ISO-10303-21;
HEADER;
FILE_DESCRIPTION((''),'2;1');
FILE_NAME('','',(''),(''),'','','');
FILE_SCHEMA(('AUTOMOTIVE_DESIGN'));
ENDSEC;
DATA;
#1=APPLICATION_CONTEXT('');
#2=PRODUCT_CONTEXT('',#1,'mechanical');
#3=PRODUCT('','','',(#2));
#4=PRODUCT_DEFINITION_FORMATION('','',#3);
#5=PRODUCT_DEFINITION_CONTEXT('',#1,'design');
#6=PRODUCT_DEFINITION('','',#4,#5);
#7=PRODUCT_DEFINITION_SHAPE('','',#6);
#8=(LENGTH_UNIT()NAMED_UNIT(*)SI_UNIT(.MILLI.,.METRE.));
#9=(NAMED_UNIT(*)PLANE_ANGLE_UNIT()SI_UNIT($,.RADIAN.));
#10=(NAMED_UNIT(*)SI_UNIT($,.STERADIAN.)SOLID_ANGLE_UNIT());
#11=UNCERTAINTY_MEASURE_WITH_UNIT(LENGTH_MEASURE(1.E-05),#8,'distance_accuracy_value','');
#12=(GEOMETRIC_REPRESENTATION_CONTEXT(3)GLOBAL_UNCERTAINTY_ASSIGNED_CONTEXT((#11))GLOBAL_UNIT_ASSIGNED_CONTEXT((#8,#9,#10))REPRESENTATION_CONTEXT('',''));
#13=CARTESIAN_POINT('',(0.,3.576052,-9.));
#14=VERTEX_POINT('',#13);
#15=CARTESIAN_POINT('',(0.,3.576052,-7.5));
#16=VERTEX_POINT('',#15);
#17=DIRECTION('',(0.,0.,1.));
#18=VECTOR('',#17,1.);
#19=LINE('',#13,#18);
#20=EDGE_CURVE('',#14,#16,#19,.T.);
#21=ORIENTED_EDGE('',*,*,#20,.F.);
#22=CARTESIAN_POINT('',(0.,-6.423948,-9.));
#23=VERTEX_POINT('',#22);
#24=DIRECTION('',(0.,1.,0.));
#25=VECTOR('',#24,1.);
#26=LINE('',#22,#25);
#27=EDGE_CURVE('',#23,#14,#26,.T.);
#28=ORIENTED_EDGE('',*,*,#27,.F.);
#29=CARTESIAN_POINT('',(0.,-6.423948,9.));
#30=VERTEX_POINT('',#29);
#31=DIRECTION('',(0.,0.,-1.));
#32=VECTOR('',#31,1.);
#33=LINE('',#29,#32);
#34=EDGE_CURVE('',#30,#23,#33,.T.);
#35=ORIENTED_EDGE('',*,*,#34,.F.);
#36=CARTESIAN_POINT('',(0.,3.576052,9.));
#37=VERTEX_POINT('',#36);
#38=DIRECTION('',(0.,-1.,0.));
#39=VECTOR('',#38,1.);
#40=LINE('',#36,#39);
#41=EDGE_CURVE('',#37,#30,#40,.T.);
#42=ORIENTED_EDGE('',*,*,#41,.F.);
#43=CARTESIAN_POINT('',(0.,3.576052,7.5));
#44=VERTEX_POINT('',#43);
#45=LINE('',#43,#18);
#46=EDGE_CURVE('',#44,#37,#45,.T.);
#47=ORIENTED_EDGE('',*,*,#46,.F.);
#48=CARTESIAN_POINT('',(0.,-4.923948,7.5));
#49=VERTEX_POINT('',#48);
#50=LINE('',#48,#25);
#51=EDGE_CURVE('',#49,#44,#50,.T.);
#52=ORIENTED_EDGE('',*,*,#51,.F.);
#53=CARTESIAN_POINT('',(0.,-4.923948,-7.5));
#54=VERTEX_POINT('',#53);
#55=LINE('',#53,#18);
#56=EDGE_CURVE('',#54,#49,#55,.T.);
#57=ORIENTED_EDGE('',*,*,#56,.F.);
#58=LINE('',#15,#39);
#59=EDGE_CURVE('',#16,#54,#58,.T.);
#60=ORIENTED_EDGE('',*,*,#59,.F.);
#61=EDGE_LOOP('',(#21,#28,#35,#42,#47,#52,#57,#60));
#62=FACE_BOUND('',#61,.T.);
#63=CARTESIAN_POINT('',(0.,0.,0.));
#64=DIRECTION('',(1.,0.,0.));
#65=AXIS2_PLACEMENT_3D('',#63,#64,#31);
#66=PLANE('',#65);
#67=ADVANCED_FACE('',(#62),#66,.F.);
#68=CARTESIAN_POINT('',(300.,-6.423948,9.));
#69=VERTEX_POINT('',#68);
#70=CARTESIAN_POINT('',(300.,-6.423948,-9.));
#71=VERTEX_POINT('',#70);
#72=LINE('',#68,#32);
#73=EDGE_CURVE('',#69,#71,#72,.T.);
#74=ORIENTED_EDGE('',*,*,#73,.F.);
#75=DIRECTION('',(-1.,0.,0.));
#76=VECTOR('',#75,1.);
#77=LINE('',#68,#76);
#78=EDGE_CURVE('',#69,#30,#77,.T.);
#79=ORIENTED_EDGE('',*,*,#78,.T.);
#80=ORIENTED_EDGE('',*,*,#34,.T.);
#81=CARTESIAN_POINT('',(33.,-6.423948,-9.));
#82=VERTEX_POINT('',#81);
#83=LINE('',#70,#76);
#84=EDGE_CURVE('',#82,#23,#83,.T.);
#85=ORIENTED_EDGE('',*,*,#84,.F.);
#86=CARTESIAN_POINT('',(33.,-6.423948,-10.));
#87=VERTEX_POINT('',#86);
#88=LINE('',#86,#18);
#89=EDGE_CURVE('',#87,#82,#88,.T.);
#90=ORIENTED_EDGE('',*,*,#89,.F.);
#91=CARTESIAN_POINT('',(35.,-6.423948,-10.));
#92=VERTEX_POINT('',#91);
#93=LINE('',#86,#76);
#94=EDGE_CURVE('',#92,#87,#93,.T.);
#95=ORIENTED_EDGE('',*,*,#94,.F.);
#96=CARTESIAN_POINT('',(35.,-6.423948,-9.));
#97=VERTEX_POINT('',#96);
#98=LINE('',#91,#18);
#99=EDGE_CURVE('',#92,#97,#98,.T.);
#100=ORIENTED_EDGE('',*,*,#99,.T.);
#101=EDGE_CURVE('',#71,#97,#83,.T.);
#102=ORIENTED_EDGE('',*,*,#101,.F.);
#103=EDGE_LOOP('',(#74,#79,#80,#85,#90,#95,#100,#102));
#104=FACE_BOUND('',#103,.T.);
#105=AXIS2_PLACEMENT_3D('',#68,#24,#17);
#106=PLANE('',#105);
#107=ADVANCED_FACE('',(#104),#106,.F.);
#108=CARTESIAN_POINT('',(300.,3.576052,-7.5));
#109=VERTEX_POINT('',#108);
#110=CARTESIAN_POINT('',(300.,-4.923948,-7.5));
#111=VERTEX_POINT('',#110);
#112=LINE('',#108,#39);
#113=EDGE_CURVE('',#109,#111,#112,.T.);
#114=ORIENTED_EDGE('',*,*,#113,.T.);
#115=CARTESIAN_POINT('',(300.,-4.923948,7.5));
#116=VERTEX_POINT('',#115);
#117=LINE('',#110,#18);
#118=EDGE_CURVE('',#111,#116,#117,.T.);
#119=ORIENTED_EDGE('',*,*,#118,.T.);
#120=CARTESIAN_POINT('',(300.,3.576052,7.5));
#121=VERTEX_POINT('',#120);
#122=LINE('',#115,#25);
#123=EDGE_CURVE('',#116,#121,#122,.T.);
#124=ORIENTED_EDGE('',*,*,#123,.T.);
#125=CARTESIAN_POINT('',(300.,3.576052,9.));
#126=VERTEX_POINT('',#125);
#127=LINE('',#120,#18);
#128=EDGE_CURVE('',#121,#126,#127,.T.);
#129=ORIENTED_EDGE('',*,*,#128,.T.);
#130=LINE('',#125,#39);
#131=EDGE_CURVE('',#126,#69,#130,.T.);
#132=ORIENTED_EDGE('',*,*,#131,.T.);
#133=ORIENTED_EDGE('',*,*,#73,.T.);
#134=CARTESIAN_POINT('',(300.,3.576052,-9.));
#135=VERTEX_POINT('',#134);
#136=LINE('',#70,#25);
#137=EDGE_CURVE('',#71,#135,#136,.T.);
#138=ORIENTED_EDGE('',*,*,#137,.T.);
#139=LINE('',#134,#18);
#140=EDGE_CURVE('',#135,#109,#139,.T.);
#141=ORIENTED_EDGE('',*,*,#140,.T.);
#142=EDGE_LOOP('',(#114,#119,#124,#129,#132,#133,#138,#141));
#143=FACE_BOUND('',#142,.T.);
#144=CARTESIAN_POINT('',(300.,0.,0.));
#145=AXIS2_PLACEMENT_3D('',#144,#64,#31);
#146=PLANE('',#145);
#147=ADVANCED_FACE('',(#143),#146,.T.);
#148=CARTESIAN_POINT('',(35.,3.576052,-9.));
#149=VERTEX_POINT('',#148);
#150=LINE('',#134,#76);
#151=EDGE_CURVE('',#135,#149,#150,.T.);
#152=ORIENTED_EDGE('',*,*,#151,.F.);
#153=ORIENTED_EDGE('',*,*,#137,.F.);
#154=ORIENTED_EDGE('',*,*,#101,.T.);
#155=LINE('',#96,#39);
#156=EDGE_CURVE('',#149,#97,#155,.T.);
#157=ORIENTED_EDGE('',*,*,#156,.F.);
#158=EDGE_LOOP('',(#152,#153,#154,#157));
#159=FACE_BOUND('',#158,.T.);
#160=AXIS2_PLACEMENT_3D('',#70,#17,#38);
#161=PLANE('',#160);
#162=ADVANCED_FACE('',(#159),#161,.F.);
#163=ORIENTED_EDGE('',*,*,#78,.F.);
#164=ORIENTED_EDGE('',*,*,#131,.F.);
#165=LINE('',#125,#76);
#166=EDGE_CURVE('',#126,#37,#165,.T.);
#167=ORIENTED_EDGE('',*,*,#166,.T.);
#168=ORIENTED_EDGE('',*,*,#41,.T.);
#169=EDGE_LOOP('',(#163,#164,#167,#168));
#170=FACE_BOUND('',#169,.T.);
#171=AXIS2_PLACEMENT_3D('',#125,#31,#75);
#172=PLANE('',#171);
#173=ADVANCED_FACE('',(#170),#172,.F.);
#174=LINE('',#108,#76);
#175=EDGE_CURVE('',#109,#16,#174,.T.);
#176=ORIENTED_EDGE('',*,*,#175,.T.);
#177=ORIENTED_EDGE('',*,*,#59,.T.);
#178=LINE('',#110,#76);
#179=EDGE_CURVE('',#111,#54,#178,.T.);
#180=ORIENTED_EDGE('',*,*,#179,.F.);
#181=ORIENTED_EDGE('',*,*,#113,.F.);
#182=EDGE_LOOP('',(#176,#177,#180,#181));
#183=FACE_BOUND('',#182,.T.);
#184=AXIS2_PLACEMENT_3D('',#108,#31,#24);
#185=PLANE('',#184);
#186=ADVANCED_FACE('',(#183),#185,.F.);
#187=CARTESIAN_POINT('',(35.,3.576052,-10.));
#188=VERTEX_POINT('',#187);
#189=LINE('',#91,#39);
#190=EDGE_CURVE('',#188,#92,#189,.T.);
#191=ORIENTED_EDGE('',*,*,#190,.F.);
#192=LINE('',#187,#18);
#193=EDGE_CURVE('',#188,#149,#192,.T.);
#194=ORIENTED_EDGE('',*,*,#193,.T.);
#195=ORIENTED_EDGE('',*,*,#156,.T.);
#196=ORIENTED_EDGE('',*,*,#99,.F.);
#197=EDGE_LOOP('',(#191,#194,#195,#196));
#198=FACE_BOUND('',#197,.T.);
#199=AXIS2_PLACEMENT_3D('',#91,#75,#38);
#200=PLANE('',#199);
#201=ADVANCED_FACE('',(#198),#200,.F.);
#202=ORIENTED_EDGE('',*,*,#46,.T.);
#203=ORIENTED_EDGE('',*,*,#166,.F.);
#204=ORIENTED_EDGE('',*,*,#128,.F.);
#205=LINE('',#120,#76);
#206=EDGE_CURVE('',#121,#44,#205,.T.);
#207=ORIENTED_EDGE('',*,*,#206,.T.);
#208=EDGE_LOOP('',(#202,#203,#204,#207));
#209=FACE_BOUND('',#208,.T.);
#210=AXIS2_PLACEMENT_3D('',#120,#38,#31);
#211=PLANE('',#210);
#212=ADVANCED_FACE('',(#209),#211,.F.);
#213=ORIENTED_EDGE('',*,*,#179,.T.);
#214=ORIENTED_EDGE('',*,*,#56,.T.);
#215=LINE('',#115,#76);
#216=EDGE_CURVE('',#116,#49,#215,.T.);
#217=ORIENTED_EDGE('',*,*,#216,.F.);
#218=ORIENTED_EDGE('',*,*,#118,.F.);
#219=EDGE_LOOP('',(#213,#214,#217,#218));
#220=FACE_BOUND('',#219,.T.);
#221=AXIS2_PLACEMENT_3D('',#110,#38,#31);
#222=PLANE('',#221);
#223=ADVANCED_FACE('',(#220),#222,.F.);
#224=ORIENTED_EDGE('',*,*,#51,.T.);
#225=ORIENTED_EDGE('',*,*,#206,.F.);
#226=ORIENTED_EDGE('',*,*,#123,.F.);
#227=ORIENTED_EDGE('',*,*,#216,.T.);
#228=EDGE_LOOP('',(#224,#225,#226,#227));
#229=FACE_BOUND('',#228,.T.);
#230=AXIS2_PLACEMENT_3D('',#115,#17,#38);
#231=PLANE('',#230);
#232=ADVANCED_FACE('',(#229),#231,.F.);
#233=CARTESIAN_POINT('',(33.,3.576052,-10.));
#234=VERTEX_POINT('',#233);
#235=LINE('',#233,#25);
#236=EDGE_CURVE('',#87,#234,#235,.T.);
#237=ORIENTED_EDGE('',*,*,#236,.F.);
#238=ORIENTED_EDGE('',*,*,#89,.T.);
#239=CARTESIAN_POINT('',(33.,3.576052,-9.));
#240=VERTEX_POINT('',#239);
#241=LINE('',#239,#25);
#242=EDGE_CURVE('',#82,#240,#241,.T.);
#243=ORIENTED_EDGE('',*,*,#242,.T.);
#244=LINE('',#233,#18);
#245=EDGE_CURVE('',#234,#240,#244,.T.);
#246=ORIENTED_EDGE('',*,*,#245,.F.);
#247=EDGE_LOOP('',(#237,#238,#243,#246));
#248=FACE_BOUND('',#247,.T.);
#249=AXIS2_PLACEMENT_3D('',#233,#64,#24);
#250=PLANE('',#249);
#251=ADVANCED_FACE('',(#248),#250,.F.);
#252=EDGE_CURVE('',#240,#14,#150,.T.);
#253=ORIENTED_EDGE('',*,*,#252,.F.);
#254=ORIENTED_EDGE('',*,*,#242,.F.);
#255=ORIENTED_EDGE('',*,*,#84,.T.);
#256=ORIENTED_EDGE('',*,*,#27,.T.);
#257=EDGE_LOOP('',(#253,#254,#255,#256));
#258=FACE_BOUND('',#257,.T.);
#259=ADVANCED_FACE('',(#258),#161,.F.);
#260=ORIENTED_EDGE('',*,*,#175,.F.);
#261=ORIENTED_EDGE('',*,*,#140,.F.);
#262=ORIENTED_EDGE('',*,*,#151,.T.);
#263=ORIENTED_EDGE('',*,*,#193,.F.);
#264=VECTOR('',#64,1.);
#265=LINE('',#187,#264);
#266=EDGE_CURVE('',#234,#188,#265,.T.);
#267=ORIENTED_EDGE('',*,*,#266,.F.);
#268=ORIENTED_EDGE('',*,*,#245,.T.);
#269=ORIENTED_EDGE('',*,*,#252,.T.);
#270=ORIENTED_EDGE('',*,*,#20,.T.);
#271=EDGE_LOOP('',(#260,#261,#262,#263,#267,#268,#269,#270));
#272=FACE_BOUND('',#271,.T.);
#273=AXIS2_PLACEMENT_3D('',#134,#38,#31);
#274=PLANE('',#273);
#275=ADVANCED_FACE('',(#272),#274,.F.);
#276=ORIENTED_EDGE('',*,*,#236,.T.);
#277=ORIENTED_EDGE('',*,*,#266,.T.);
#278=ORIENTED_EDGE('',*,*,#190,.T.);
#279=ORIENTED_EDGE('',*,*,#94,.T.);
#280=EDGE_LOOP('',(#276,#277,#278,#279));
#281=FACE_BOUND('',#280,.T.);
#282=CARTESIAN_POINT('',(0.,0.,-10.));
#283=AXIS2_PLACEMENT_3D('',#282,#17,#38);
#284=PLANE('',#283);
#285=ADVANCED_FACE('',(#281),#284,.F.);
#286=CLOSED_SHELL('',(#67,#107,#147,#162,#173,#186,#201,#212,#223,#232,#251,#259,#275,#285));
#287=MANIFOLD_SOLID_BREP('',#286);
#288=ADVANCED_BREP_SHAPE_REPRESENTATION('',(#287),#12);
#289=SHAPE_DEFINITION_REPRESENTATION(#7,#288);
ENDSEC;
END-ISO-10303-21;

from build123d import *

# Parameters (mm, degrees)
BOSS_EXTRUDE1_DEPTH = 300
SKETCH2_W           = 2
SKETCH2_H           = 10
BOSS_EXTRUDE2_DEPTH = 1


with BuildPart() as part:
    # Sketch1 → Boss-Extrude1 (new body)
    with BuildSketch(Plane(origin=(0, 0, 0), x_dir=(0, 0, -1), z_dir=(1, 0, 0))):
        Polygon((-9, -6.423948176), (9, -6.423948176), (9, 3.576051824), (7.5, 3.576051824), (7.5, -4.923948176), (-7.5, -4.923948176), (-7.5, 3.576051824), (-9, 3.576051824), align=None)
    extrude(amount=BOSS_EXTRUDE1_DEPTH)

    # Sketch2 → Boss-Extrude2 (add)
    with BuildSketch(Plane(origin=(0, 0, -9), x_dir=(-1, 0, 0), z_dir=(0, 0, -1))):
        with Locations((-34, -1.423948176)):
            Rectangle(SKETCH2_W, SKETCH2_H)
    extrude(amount=BOSS_EXTRUDE2_DEPTH)


solid = part.part
